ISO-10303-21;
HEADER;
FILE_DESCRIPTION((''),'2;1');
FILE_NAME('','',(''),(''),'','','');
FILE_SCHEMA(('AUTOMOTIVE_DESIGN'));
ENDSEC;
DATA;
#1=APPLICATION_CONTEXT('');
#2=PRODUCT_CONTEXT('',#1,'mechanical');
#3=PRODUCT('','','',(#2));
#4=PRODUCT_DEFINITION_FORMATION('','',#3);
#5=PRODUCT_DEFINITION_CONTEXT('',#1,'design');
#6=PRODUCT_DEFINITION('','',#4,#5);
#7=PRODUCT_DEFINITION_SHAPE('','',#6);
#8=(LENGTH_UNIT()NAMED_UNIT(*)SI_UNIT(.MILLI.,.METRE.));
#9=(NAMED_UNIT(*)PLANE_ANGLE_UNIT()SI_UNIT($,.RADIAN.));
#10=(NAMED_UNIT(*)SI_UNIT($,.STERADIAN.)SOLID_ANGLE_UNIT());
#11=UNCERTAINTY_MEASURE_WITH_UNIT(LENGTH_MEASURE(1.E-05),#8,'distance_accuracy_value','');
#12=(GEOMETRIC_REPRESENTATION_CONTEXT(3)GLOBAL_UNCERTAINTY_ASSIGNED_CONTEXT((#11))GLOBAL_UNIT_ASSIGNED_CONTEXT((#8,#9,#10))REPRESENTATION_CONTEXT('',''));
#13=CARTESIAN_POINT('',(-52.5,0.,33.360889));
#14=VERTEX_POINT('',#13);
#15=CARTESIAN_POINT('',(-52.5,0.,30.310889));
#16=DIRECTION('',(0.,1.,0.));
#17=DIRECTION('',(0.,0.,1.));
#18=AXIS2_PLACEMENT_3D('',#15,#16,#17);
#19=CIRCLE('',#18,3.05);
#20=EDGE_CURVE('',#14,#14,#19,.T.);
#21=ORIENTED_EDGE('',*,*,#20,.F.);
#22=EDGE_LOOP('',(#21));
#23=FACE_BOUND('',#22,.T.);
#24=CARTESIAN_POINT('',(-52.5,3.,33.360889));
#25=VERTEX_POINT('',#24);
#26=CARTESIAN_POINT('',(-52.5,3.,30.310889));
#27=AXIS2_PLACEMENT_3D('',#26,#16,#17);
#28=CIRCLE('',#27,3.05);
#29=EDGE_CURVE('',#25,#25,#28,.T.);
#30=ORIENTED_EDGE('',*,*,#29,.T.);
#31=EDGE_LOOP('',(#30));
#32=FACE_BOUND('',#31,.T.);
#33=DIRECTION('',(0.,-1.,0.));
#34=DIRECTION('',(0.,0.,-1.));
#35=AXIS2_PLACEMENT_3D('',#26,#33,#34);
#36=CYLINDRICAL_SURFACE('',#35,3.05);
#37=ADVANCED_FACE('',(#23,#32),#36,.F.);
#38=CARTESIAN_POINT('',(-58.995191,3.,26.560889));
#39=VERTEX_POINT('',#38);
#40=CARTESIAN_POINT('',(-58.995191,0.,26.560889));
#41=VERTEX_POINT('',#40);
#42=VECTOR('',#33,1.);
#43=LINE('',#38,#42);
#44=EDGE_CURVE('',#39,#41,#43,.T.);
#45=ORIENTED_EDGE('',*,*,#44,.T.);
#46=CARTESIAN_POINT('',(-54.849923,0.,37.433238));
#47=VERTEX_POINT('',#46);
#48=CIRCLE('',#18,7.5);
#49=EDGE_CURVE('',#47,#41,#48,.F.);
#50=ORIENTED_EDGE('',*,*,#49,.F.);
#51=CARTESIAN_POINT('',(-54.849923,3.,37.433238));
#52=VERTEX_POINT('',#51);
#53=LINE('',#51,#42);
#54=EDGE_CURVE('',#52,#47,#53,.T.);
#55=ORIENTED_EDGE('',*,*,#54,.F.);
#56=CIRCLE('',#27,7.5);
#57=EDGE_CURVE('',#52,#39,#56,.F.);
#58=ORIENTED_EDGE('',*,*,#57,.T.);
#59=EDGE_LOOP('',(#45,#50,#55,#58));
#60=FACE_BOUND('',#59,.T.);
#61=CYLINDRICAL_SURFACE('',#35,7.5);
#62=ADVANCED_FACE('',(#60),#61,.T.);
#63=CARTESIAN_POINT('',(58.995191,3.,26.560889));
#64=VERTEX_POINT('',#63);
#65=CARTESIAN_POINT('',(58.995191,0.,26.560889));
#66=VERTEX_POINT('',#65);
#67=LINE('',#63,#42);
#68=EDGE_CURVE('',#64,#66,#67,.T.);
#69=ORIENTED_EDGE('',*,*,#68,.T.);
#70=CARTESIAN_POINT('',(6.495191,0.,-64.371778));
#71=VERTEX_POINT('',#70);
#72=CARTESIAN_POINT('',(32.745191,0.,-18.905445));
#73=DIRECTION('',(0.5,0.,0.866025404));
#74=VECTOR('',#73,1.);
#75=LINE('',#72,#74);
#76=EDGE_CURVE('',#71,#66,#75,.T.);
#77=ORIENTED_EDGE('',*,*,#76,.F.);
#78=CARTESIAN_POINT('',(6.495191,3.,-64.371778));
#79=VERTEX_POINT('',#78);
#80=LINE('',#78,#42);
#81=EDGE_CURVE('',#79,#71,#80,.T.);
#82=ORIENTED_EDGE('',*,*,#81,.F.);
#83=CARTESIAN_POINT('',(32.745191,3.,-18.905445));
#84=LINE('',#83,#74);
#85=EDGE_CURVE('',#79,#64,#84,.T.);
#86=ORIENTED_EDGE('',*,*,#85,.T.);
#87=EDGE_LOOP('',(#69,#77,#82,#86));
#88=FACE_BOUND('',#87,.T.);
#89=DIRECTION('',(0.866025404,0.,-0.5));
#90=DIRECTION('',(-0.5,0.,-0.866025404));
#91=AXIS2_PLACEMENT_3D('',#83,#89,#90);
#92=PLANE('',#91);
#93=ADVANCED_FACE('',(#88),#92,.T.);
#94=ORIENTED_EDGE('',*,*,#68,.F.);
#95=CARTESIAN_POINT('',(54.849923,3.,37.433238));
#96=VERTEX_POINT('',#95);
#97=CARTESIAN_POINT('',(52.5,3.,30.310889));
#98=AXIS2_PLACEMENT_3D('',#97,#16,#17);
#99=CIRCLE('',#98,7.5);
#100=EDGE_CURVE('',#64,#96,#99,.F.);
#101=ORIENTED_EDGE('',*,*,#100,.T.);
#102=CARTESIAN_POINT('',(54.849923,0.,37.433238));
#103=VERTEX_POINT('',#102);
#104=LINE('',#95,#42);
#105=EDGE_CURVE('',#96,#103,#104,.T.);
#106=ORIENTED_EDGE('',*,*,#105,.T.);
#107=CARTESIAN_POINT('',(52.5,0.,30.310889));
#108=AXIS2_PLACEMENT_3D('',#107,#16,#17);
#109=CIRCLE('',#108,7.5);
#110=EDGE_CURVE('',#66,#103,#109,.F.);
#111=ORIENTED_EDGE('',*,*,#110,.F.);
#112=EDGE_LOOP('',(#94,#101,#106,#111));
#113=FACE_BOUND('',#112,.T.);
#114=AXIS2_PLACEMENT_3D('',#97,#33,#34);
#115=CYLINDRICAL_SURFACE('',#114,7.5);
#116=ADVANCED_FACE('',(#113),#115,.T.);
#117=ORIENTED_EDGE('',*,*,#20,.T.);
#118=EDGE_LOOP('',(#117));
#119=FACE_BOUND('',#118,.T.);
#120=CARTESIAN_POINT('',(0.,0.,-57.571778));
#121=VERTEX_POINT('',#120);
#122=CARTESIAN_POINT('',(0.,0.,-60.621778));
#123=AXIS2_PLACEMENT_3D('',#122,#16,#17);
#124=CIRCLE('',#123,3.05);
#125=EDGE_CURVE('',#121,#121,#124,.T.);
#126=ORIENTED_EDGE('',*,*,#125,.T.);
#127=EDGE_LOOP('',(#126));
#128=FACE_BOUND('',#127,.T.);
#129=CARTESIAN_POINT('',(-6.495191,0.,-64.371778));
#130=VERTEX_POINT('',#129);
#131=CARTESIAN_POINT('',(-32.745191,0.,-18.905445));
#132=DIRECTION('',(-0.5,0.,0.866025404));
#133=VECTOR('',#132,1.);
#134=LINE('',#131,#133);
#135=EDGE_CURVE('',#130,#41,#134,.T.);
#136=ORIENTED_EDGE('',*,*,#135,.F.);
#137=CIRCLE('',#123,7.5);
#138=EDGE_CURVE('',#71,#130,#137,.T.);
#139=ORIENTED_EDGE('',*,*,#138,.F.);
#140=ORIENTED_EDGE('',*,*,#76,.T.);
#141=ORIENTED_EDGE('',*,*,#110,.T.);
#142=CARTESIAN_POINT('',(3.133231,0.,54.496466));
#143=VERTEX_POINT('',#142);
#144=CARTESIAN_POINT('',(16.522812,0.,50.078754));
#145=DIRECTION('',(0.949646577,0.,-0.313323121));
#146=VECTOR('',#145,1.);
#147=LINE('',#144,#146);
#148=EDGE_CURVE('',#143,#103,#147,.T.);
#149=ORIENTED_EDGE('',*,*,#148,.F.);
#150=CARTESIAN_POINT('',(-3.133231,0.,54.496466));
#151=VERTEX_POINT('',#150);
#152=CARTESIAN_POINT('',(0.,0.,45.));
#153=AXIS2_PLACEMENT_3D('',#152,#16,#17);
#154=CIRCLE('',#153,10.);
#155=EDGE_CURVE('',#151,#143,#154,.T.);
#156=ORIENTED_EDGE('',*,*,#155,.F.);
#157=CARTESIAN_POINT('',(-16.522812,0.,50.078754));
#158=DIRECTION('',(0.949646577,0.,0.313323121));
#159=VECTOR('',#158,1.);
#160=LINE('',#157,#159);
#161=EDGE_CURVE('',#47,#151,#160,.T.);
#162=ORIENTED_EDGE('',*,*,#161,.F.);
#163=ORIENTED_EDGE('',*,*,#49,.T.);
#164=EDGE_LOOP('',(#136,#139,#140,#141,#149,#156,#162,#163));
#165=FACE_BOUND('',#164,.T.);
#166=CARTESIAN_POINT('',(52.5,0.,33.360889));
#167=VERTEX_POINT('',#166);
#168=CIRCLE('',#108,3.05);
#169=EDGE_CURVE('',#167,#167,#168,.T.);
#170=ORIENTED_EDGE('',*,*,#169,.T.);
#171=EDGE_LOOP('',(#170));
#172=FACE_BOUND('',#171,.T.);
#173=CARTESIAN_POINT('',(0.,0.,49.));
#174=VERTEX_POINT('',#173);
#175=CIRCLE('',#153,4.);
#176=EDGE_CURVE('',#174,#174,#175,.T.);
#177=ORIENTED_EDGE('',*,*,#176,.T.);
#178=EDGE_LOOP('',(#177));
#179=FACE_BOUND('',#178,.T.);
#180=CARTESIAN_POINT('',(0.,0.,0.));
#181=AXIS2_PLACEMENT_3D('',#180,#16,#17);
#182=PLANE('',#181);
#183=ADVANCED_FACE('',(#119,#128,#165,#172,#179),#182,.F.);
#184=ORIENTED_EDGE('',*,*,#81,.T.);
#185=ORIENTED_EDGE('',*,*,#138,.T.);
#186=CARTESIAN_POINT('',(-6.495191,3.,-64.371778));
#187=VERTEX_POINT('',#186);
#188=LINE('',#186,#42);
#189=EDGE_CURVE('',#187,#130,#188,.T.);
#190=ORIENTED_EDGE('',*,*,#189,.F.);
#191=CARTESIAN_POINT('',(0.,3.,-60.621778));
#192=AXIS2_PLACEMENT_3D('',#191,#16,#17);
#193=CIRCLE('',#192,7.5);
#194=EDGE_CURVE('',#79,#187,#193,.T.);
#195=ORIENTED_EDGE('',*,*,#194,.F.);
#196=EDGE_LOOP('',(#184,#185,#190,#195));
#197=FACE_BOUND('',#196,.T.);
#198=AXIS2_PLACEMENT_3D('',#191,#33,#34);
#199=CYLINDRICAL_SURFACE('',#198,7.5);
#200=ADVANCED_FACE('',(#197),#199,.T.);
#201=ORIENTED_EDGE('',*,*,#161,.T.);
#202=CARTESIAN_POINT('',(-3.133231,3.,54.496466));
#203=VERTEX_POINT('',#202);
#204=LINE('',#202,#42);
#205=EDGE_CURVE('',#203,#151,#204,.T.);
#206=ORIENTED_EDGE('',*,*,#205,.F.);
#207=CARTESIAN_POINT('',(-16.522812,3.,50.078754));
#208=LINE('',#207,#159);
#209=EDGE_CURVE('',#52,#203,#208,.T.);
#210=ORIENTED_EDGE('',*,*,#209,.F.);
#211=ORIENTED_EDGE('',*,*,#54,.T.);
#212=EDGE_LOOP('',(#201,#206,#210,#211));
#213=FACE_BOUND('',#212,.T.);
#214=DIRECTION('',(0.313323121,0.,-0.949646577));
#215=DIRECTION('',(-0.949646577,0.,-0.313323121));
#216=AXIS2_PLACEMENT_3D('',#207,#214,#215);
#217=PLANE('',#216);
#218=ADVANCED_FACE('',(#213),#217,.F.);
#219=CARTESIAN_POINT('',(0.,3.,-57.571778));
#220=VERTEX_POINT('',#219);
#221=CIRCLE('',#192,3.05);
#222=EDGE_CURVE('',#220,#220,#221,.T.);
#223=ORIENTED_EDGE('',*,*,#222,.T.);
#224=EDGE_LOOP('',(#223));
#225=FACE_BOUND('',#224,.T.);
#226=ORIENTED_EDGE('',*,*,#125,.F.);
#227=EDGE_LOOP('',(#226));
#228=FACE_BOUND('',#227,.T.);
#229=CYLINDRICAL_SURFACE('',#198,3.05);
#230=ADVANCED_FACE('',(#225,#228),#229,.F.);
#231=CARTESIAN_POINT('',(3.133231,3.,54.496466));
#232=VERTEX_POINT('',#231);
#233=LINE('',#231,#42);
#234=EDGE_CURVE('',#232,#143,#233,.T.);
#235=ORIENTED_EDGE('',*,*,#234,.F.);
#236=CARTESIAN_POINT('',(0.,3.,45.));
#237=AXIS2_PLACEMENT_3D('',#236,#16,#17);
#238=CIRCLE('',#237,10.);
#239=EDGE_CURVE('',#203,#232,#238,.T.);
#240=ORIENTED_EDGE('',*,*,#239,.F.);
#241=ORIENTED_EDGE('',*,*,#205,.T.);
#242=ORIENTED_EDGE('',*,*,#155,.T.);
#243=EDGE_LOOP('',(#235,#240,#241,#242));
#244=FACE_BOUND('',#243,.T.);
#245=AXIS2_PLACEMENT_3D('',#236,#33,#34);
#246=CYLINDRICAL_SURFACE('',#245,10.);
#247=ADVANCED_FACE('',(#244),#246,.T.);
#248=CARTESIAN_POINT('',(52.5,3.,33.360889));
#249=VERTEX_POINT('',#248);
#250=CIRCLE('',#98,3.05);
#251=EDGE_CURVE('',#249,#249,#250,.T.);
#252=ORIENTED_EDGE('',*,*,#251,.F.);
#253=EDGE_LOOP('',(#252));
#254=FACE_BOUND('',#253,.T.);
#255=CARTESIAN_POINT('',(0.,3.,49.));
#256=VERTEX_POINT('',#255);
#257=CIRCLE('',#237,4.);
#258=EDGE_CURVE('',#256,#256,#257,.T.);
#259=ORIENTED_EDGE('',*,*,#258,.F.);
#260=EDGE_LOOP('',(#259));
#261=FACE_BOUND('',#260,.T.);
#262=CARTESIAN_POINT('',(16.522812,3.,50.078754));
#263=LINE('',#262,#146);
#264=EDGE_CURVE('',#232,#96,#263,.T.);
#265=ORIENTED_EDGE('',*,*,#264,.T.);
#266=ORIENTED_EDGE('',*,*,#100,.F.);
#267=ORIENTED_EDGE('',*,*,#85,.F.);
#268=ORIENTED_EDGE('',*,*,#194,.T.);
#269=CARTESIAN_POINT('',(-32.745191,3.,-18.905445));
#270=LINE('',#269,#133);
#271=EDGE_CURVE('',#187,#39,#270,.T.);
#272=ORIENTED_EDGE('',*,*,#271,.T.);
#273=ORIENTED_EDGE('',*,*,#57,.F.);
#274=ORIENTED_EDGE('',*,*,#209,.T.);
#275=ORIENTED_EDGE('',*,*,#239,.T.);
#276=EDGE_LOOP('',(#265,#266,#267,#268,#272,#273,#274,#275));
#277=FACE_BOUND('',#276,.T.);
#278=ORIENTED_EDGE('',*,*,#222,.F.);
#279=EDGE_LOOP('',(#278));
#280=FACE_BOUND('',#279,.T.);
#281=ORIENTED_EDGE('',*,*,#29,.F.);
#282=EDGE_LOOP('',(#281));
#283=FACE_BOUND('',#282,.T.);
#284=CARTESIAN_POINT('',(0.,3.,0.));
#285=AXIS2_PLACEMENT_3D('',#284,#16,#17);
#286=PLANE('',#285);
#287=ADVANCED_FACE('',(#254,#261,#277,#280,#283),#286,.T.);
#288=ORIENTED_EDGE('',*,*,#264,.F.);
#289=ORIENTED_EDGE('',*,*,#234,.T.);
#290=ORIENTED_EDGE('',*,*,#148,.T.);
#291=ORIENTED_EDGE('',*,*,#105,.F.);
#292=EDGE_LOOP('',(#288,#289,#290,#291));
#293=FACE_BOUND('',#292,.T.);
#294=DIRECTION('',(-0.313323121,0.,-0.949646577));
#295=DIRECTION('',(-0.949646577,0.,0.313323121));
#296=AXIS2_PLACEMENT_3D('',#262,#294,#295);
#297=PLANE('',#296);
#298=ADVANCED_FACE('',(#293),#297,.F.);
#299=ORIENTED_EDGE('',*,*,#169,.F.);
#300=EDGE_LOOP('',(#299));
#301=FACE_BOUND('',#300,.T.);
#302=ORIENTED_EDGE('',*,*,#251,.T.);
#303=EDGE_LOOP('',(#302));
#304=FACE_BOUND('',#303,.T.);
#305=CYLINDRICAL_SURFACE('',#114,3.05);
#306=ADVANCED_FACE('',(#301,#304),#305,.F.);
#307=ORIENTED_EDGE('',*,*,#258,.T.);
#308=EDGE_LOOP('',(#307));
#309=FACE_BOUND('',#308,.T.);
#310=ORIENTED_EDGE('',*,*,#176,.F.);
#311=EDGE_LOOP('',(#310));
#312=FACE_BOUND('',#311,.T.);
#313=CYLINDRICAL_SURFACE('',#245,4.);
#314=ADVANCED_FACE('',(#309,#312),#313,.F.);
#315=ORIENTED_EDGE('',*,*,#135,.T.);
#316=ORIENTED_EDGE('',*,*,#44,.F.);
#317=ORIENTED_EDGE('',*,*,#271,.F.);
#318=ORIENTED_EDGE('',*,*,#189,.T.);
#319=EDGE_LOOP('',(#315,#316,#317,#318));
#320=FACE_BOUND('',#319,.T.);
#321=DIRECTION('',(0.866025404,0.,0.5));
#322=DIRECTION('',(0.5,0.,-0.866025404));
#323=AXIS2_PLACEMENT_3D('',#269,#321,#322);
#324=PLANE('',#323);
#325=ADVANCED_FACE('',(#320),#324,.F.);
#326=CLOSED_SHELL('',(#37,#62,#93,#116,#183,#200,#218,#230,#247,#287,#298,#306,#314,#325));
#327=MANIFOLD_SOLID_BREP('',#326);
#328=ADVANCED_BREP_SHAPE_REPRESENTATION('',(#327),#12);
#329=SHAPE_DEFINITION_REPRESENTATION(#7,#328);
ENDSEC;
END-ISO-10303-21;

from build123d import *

# Parameters (mm, degrees)
SKETCH1_R           = 3.05
SKETCH1_R_2         = 4
BOSS_EXTRUDE1_DEPTH = 3


with BuildPart() as part:
    # Sketch1 → Boss-Extrude1 (new body)
    with BuildSketch(Plane(origin=(0, 0, 0), x_dir=(1, 0, 0), z_dir=(0, 1, 0))):
        with BuildLine():
            Line((6.495190528, 64.371778265), (58.995190528, -26.560889132))
            ThreePointArc((58.995190528, -26.560889132), (58.995190528, -34.060889132), (52.5, -37.810889132))
            Line((52.5, -37.810889132), (-52.5, -37.810889132))
            ThreePointArc((-52.5, -37.810889132), (-58.995190528, -34.060889132), (-58.995190528, -26.560889132))
            Line((-58.995190528, -26.560889132), (-6.495190528, 64.371778265))
            ThreePointArc((-6.495190528, 64.371778265), (0, 68.121778265), (6.495190528, 64.371778265))
        make_face()
        with Locations((-52.5, -30.310889132)):
            Circle(SKETCH1_R, mode=Mode.SUBTRACT)
        with Locations((52.5, -30.310889132)):
            Circle(SKETCH1_R, mode=Mode.SUBTRACT)
        with Locations((0, 60.621778265)):
            Circle(SKETCH1_R, mode=Mode.SUBTRACT)
        with BuildLine():
            ThreePointArc((-52.5, -37.810889132), (-53.69003782, -37.715874614), (-54.849923408, -37.433238462))
            Line((-54.849923408, -37.433238462), (-3.133231211, -54.496465773))
            ThreePointArc((-3.133231211, -54.496465773), (0, -55), (3.133231211, -54.496465773))
            Line((3.133231211, -54.496465773), (54.849923408, -37.433238462))
            ThreePointArc((54.849923408, -37.433238462), (53.69003782, -37.715874614), (52.5, -37.810889132))
            Line((52.5, -37.810889132), (-52.5, -37.810889132))
        make_face()
        with Locations((0, -45)):
            Circle(SKETCH1_R_2, mode=Mode.SUBTRACT)
    extrude(amount=BOSS_EXTRUDE1_DEPTH)


solid = part.part
